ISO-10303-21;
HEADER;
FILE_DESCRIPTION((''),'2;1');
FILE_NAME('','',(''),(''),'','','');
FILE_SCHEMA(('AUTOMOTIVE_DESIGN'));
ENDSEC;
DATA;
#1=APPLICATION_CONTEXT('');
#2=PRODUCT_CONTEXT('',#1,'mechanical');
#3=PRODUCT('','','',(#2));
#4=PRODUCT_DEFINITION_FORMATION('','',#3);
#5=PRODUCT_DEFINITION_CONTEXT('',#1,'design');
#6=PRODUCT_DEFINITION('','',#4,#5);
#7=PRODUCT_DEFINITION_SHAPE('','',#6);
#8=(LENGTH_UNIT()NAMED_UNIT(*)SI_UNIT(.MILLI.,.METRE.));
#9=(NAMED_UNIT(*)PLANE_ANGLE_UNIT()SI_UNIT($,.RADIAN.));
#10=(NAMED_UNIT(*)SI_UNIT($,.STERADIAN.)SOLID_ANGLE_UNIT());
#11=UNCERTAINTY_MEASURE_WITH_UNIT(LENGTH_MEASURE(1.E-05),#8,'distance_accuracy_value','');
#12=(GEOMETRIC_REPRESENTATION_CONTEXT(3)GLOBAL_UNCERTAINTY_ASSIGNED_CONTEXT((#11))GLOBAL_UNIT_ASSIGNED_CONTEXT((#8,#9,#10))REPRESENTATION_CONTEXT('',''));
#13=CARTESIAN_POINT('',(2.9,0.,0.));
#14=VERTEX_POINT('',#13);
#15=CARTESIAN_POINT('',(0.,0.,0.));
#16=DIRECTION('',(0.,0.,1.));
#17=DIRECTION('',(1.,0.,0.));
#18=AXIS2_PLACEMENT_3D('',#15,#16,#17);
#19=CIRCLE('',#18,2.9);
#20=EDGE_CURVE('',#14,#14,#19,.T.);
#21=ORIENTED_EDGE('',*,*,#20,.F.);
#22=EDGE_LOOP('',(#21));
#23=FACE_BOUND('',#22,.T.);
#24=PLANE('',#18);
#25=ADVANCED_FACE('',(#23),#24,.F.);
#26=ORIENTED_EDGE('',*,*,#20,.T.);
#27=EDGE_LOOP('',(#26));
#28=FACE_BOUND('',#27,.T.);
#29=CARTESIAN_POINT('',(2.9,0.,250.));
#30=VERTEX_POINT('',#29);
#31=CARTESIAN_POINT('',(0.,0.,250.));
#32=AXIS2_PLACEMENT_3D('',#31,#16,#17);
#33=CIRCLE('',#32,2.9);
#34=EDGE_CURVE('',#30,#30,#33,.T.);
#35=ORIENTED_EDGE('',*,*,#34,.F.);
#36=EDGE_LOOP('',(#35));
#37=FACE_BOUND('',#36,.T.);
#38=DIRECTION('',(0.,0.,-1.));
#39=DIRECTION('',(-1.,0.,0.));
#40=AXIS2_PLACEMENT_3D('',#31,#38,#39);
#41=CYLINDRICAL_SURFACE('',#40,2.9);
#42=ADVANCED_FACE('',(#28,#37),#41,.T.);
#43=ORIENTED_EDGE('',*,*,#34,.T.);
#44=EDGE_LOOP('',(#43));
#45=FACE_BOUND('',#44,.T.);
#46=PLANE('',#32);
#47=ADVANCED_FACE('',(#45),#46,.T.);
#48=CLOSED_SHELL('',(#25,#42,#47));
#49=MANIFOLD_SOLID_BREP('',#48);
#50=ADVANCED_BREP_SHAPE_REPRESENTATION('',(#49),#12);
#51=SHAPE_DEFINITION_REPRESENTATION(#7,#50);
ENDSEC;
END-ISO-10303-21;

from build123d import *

# Parameters (mm, degrees)
SKETCH_1_R      = 2.9
EXTRUDE_1_DEPTH = 250


with BuildPart() as part:
    # 草图1 → 凸台-拉伸1 (new body)
    with BuildSketch(Plane.XY):
        Circle(SKETCH_1_R)
    extrude(amount=EXTRUDE_1_DEPTH)


solid = part.part
